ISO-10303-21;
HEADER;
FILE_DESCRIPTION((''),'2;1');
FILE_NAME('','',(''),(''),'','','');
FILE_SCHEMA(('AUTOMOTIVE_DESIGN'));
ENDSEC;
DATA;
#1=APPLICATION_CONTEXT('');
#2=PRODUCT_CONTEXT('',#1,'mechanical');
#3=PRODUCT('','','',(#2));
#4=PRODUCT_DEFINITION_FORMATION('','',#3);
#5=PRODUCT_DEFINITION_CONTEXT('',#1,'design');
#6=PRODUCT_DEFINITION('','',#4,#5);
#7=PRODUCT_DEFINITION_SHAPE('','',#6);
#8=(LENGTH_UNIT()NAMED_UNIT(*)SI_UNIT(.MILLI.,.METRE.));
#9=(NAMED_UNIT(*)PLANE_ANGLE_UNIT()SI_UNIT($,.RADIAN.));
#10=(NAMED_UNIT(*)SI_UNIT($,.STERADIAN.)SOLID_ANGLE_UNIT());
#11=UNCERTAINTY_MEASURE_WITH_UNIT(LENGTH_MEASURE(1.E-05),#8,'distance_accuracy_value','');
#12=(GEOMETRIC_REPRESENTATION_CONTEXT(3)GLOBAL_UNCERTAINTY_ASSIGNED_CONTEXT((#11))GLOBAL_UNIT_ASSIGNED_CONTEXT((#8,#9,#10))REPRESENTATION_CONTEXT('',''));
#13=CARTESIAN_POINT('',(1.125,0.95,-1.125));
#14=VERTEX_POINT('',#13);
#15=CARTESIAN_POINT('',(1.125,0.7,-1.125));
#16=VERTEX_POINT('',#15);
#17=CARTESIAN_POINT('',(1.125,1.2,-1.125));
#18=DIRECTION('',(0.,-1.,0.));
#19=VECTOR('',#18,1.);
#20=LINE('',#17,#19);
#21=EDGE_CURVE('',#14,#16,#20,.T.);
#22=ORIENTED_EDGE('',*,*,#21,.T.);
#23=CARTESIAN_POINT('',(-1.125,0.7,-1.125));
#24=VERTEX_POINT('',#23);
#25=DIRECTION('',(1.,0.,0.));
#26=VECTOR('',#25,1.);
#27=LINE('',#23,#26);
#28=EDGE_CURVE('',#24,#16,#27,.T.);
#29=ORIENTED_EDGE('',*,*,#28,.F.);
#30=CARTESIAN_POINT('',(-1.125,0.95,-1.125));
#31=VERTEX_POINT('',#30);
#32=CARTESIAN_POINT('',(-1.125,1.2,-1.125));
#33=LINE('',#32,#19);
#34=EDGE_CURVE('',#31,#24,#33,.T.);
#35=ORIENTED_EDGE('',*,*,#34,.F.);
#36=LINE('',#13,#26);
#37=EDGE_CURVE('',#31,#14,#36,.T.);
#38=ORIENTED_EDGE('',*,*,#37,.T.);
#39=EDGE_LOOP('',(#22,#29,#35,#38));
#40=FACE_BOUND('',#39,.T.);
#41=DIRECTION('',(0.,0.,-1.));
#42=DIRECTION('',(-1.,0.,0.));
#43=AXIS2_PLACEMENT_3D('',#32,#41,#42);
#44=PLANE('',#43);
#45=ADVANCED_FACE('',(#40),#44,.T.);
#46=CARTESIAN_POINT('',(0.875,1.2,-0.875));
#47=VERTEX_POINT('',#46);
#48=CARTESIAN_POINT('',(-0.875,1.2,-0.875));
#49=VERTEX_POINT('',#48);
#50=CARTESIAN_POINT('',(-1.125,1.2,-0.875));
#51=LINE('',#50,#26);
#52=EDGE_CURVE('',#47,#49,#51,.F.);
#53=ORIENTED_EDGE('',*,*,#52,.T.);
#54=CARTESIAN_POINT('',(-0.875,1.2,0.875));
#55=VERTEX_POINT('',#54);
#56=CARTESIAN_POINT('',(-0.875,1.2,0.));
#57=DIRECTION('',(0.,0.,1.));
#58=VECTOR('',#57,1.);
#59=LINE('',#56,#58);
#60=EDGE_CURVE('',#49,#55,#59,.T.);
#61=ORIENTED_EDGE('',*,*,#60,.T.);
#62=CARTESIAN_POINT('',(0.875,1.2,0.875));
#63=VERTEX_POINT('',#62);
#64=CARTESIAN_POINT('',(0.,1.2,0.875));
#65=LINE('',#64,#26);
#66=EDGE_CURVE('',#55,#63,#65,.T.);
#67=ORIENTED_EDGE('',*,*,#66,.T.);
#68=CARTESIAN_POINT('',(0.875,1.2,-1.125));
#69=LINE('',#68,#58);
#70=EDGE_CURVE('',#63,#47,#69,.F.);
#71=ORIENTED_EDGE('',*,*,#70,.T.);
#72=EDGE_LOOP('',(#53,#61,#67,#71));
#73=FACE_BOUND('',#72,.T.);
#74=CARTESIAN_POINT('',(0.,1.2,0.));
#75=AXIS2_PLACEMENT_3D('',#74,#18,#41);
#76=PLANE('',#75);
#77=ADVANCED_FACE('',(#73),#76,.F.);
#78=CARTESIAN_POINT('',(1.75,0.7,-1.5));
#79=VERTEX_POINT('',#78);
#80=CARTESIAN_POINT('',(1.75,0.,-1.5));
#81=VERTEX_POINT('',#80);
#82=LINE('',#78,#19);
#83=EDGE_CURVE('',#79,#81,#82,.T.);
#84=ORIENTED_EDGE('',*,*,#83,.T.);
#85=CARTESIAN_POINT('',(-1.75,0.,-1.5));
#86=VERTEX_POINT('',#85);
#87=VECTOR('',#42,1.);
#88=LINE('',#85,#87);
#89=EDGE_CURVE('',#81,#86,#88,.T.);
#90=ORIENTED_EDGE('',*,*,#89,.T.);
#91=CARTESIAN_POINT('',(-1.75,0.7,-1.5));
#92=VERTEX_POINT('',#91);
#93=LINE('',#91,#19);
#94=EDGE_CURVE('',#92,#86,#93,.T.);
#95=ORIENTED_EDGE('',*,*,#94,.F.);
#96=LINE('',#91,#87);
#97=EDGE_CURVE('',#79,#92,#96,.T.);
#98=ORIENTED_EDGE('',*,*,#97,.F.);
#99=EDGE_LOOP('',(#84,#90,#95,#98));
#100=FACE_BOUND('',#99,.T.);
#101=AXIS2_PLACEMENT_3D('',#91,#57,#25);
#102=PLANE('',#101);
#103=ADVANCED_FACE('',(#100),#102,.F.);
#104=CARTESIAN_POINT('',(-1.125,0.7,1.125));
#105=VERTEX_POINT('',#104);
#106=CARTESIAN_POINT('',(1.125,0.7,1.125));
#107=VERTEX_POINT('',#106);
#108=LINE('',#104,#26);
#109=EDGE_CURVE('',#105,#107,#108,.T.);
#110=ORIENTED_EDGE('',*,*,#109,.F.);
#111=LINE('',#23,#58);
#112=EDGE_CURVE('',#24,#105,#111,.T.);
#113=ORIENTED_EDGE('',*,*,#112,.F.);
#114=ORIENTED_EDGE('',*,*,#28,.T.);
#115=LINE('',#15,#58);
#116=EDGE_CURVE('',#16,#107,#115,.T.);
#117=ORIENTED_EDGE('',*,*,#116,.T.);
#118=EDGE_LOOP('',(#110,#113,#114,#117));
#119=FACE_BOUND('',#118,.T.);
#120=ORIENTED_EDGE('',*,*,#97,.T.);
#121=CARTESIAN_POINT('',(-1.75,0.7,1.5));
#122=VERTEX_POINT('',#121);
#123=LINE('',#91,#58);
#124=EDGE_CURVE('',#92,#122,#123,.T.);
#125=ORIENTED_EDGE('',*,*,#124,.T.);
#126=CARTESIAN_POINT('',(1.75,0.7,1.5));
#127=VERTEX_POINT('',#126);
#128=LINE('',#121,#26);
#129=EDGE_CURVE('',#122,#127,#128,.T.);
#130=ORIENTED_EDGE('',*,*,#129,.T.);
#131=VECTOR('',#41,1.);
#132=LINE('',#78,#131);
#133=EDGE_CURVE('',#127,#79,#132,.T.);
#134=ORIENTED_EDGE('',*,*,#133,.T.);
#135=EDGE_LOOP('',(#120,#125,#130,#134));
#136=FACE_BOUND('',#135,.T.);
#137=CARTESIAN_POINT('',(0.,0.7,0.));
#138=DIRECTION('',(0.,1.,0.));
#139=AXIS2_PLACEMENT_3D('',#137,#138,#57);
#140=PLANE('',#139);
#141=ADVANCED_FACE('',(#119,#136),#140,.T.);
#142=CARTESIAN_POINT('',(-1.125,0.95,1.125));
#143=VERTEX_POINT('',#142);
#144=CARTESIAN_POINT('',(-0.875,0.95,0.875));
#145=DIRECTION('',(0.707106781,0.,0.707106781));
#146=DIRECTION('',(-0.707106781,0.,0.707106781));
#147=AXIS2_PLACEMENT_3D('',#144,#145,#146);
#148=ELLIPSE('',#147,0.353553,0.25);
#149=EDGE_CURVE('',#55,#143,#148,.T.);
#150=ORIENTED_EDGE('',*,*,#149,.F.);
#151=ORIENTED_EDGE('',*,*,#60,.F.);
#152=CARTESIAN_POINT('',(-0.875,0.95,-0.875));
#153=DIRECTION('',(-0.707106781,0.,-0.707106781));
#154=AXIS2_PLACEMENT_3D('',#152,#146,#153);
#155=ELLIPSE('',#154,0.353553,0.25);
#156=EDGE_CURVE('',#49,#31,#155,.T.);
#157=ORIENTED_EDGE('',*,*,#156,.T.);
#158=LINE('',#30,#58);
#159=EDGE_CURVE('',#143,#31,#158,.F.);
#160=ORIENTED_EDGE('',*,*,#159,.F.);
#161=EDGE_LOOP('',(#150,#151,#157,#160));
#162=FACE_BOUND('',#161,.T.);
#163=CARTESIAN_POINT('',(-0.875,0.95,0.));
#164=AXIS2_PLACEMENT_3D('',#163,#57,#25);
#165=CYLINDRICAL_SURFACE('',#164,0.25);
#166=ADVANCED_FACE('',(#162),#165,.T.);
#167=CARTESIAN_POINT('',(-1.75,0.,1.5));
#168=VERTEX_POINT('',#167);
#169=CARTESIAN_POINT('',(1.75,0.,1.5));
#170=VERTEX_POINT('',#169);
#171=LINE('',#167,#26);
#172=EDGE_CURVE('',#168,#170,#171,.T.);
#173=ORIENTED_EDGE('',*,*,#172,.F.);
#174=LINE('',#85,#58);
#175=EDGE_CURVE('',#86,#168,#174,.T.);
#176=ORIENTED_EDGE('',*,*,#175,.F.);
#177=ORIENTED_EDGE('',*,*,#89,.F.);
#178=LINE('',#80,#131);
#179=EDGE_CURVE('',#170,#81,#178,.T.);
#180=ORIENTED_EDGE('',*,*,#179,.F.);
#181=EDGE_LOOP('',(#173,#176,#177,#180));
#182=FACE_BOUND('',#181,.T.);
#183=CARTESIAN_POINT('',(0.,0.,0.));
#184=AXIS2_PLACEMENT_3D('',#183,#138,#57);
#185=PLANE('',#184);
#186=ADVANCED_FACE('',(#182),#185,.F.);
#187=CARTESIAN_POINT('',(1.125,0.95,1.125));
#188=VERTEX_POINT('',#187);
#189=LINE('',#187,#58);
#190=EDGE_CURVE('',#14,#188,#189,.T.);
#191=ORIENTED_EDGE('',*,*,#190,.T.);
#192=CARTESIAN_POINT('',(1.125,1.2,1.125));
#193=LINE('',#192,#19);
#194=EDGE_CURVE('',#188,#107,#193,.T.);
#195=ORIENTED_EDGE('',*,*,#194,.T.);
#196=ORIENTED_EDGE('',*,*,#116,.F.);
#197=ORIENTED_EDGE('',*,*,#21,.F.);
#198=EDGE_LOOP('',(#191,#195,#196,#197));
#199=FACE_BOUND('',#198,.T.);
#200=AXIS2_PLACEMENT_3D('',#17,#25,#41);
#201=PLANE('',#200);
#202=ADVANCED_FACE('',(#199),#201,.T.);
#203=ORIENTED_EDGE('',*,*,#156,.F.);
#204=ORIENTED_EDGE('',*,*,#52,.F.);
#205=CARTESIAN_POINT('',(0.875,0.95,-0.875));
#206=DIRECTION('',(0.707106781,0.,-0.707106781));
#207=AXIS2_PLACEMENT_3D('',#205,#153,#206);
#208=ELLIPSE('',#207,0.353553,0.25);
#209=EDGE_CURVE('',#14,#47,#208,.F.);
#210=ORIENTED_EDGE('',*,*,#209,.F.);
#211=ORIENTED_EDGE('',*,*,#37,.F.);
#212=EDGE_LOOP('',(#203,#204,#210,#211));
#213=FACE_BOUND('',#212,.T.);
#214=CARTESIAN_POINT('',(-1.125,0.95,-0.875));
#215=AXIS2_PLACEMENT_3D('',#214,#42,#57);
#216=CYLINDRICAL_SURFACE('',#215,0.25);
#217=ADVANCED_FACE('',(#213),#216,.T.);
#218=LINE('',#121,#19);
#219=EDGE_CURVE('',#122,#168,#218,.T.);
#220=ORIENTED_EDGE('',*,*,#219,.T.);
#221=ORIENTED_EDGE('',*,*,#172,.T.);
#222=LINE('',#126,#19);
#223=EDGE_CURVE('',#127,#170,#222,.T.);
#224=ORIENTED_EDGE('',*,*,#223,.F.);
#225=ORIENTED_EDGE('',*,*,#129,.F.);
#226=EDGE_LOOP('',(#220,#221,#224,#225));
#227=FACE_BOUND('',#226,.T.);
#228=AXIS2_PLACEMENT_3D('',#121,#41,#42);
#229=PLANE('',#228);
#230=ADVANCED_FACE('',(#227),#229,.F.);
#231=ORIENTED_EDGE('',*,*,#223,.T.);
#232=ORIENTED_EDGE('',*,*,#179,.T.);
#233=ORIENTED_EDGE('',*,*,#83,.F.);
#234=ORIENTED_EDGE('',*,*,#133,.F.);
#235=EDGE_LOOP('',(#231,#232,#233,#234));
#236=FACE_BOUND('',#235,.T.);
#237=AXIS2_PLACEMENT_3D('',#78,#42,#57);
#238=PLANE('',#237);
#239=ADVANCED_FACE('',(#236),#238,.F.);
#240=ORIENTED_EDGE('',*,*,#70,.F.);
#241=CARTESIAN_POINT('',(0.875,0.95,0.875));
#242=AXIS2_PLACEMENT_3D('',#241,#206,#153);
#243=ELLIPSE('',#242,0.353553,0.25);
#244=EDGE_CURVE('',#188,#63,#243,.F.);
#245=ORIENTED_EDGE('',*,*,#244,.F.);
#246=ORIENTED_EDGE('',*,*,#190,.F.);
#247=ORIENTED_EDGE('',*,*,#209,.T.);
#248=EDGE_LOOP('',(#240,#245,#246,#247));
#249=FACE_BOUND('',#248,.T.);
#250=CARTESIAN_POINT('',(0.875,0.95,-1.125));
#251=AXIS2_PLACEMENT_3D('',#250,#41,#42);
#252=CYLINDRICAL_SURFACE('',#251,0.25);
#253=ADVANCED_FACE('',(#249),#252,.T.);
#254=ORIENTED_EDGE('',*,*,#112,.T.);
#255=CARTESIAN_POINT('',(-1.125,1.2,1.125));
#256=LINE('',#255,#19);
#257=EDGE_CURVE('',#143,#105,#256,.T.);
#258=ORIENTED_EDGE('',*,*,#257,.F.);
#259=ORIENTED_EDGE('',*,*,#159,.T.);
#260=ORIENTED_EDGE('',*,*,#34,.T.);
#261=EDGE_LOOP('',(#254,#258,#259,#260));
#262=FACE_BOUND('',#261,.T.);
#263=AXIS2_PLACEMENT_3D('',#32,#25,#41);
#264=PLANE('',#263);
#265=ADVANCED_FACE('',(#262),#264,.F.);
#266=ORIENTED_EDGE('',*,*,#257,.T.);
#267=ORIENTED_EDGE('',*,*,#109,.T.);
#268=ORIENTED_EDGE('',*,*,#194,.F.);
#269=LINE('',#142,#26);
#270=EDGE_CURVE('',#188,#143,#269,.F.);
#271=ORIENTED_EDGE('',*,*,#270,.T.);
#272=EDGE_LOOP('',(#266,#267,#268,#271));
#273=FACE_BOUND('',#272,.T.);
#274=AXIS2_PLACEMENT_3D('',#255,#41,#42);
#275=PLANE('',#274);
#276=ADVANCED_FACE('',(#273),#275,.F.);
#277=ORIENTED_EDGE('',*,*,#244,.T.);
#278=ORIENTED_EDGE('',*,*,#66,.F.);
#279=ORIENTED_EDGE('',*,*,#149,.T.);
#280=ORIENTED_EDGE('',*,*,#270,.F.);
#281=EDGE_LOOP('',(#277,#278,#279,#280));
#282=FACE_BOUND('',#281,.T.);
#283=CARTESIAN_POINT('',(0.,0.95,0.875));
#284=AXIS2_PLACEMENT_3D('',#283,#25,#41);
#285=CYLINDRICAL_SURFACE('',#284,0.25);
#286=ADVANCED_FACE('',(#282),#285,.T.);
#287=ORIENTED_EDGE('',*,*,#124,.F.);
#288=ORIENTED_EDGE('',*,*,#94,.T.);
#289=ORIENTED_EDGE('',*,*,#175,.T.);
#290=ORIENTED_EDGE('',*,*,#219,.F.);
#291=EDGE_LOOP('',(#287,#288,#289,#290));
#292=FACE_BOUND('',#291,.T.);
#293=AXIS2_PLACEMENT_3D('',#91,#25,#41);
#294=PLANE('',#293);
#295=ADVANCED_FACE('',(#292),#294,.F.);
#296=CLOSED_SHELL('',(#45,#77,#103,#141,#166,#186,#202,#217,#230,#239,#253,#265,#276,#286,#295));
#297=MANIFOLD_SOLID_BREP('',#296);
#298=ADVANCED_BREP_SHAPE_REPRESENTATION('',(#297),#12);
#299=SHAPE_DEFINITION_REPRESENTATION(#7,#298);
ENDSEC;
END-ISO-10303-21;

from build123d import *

# Parameters (mm, degrees)
SKETCH1_W           = 3.5
SKETCH1_H           = 3
BOSS_EXTRUDE1_DEPTH = 0.7
SKETCH2_W           = 2.25
SKETCH2_H           = 2.25
BOSS_EXTRUDE2_DEPTH = 0.5
FILLET1_R           = 0.25


with BuildPart() as part:
    # Sketch1 → Boss-Extrude1 (new body)
    with BuildSketch(Plane(origin=(0, 0, 0), x_dir=(1, 0, 0), z_dir=(0, 1, 0))):
        Rectangle(SKETCH1_W, SKETCH1_H)
    extrude(amount=BOSS_EXTRUDE1_DEPTH)

    # Sketch2 → Boss-Extrude2 (add)
    with BuildSketch(Plane(origin=(0, 0.7, 0), x_dir=(1, 0, 0), z_dir=(0, 1, 0))):
        Rectangle(SKETCH2_W, SKETCH2_H)
    extrude(amount=BOSS_EXTRUDE2_DEPTH)

    # Fillet1
    fillet1_edges = [part.edges().sort_by_distance(p)[0] for p in [
        (0, 1.2, -1.125),
        (1.125, 1.2, 0),
        (-1.125, 1.2, 0),
        (0, 1.2, 1.125),
    ]]
    fillet(fillet1_edges, radius=FILLET1_R)


solid = part.part
